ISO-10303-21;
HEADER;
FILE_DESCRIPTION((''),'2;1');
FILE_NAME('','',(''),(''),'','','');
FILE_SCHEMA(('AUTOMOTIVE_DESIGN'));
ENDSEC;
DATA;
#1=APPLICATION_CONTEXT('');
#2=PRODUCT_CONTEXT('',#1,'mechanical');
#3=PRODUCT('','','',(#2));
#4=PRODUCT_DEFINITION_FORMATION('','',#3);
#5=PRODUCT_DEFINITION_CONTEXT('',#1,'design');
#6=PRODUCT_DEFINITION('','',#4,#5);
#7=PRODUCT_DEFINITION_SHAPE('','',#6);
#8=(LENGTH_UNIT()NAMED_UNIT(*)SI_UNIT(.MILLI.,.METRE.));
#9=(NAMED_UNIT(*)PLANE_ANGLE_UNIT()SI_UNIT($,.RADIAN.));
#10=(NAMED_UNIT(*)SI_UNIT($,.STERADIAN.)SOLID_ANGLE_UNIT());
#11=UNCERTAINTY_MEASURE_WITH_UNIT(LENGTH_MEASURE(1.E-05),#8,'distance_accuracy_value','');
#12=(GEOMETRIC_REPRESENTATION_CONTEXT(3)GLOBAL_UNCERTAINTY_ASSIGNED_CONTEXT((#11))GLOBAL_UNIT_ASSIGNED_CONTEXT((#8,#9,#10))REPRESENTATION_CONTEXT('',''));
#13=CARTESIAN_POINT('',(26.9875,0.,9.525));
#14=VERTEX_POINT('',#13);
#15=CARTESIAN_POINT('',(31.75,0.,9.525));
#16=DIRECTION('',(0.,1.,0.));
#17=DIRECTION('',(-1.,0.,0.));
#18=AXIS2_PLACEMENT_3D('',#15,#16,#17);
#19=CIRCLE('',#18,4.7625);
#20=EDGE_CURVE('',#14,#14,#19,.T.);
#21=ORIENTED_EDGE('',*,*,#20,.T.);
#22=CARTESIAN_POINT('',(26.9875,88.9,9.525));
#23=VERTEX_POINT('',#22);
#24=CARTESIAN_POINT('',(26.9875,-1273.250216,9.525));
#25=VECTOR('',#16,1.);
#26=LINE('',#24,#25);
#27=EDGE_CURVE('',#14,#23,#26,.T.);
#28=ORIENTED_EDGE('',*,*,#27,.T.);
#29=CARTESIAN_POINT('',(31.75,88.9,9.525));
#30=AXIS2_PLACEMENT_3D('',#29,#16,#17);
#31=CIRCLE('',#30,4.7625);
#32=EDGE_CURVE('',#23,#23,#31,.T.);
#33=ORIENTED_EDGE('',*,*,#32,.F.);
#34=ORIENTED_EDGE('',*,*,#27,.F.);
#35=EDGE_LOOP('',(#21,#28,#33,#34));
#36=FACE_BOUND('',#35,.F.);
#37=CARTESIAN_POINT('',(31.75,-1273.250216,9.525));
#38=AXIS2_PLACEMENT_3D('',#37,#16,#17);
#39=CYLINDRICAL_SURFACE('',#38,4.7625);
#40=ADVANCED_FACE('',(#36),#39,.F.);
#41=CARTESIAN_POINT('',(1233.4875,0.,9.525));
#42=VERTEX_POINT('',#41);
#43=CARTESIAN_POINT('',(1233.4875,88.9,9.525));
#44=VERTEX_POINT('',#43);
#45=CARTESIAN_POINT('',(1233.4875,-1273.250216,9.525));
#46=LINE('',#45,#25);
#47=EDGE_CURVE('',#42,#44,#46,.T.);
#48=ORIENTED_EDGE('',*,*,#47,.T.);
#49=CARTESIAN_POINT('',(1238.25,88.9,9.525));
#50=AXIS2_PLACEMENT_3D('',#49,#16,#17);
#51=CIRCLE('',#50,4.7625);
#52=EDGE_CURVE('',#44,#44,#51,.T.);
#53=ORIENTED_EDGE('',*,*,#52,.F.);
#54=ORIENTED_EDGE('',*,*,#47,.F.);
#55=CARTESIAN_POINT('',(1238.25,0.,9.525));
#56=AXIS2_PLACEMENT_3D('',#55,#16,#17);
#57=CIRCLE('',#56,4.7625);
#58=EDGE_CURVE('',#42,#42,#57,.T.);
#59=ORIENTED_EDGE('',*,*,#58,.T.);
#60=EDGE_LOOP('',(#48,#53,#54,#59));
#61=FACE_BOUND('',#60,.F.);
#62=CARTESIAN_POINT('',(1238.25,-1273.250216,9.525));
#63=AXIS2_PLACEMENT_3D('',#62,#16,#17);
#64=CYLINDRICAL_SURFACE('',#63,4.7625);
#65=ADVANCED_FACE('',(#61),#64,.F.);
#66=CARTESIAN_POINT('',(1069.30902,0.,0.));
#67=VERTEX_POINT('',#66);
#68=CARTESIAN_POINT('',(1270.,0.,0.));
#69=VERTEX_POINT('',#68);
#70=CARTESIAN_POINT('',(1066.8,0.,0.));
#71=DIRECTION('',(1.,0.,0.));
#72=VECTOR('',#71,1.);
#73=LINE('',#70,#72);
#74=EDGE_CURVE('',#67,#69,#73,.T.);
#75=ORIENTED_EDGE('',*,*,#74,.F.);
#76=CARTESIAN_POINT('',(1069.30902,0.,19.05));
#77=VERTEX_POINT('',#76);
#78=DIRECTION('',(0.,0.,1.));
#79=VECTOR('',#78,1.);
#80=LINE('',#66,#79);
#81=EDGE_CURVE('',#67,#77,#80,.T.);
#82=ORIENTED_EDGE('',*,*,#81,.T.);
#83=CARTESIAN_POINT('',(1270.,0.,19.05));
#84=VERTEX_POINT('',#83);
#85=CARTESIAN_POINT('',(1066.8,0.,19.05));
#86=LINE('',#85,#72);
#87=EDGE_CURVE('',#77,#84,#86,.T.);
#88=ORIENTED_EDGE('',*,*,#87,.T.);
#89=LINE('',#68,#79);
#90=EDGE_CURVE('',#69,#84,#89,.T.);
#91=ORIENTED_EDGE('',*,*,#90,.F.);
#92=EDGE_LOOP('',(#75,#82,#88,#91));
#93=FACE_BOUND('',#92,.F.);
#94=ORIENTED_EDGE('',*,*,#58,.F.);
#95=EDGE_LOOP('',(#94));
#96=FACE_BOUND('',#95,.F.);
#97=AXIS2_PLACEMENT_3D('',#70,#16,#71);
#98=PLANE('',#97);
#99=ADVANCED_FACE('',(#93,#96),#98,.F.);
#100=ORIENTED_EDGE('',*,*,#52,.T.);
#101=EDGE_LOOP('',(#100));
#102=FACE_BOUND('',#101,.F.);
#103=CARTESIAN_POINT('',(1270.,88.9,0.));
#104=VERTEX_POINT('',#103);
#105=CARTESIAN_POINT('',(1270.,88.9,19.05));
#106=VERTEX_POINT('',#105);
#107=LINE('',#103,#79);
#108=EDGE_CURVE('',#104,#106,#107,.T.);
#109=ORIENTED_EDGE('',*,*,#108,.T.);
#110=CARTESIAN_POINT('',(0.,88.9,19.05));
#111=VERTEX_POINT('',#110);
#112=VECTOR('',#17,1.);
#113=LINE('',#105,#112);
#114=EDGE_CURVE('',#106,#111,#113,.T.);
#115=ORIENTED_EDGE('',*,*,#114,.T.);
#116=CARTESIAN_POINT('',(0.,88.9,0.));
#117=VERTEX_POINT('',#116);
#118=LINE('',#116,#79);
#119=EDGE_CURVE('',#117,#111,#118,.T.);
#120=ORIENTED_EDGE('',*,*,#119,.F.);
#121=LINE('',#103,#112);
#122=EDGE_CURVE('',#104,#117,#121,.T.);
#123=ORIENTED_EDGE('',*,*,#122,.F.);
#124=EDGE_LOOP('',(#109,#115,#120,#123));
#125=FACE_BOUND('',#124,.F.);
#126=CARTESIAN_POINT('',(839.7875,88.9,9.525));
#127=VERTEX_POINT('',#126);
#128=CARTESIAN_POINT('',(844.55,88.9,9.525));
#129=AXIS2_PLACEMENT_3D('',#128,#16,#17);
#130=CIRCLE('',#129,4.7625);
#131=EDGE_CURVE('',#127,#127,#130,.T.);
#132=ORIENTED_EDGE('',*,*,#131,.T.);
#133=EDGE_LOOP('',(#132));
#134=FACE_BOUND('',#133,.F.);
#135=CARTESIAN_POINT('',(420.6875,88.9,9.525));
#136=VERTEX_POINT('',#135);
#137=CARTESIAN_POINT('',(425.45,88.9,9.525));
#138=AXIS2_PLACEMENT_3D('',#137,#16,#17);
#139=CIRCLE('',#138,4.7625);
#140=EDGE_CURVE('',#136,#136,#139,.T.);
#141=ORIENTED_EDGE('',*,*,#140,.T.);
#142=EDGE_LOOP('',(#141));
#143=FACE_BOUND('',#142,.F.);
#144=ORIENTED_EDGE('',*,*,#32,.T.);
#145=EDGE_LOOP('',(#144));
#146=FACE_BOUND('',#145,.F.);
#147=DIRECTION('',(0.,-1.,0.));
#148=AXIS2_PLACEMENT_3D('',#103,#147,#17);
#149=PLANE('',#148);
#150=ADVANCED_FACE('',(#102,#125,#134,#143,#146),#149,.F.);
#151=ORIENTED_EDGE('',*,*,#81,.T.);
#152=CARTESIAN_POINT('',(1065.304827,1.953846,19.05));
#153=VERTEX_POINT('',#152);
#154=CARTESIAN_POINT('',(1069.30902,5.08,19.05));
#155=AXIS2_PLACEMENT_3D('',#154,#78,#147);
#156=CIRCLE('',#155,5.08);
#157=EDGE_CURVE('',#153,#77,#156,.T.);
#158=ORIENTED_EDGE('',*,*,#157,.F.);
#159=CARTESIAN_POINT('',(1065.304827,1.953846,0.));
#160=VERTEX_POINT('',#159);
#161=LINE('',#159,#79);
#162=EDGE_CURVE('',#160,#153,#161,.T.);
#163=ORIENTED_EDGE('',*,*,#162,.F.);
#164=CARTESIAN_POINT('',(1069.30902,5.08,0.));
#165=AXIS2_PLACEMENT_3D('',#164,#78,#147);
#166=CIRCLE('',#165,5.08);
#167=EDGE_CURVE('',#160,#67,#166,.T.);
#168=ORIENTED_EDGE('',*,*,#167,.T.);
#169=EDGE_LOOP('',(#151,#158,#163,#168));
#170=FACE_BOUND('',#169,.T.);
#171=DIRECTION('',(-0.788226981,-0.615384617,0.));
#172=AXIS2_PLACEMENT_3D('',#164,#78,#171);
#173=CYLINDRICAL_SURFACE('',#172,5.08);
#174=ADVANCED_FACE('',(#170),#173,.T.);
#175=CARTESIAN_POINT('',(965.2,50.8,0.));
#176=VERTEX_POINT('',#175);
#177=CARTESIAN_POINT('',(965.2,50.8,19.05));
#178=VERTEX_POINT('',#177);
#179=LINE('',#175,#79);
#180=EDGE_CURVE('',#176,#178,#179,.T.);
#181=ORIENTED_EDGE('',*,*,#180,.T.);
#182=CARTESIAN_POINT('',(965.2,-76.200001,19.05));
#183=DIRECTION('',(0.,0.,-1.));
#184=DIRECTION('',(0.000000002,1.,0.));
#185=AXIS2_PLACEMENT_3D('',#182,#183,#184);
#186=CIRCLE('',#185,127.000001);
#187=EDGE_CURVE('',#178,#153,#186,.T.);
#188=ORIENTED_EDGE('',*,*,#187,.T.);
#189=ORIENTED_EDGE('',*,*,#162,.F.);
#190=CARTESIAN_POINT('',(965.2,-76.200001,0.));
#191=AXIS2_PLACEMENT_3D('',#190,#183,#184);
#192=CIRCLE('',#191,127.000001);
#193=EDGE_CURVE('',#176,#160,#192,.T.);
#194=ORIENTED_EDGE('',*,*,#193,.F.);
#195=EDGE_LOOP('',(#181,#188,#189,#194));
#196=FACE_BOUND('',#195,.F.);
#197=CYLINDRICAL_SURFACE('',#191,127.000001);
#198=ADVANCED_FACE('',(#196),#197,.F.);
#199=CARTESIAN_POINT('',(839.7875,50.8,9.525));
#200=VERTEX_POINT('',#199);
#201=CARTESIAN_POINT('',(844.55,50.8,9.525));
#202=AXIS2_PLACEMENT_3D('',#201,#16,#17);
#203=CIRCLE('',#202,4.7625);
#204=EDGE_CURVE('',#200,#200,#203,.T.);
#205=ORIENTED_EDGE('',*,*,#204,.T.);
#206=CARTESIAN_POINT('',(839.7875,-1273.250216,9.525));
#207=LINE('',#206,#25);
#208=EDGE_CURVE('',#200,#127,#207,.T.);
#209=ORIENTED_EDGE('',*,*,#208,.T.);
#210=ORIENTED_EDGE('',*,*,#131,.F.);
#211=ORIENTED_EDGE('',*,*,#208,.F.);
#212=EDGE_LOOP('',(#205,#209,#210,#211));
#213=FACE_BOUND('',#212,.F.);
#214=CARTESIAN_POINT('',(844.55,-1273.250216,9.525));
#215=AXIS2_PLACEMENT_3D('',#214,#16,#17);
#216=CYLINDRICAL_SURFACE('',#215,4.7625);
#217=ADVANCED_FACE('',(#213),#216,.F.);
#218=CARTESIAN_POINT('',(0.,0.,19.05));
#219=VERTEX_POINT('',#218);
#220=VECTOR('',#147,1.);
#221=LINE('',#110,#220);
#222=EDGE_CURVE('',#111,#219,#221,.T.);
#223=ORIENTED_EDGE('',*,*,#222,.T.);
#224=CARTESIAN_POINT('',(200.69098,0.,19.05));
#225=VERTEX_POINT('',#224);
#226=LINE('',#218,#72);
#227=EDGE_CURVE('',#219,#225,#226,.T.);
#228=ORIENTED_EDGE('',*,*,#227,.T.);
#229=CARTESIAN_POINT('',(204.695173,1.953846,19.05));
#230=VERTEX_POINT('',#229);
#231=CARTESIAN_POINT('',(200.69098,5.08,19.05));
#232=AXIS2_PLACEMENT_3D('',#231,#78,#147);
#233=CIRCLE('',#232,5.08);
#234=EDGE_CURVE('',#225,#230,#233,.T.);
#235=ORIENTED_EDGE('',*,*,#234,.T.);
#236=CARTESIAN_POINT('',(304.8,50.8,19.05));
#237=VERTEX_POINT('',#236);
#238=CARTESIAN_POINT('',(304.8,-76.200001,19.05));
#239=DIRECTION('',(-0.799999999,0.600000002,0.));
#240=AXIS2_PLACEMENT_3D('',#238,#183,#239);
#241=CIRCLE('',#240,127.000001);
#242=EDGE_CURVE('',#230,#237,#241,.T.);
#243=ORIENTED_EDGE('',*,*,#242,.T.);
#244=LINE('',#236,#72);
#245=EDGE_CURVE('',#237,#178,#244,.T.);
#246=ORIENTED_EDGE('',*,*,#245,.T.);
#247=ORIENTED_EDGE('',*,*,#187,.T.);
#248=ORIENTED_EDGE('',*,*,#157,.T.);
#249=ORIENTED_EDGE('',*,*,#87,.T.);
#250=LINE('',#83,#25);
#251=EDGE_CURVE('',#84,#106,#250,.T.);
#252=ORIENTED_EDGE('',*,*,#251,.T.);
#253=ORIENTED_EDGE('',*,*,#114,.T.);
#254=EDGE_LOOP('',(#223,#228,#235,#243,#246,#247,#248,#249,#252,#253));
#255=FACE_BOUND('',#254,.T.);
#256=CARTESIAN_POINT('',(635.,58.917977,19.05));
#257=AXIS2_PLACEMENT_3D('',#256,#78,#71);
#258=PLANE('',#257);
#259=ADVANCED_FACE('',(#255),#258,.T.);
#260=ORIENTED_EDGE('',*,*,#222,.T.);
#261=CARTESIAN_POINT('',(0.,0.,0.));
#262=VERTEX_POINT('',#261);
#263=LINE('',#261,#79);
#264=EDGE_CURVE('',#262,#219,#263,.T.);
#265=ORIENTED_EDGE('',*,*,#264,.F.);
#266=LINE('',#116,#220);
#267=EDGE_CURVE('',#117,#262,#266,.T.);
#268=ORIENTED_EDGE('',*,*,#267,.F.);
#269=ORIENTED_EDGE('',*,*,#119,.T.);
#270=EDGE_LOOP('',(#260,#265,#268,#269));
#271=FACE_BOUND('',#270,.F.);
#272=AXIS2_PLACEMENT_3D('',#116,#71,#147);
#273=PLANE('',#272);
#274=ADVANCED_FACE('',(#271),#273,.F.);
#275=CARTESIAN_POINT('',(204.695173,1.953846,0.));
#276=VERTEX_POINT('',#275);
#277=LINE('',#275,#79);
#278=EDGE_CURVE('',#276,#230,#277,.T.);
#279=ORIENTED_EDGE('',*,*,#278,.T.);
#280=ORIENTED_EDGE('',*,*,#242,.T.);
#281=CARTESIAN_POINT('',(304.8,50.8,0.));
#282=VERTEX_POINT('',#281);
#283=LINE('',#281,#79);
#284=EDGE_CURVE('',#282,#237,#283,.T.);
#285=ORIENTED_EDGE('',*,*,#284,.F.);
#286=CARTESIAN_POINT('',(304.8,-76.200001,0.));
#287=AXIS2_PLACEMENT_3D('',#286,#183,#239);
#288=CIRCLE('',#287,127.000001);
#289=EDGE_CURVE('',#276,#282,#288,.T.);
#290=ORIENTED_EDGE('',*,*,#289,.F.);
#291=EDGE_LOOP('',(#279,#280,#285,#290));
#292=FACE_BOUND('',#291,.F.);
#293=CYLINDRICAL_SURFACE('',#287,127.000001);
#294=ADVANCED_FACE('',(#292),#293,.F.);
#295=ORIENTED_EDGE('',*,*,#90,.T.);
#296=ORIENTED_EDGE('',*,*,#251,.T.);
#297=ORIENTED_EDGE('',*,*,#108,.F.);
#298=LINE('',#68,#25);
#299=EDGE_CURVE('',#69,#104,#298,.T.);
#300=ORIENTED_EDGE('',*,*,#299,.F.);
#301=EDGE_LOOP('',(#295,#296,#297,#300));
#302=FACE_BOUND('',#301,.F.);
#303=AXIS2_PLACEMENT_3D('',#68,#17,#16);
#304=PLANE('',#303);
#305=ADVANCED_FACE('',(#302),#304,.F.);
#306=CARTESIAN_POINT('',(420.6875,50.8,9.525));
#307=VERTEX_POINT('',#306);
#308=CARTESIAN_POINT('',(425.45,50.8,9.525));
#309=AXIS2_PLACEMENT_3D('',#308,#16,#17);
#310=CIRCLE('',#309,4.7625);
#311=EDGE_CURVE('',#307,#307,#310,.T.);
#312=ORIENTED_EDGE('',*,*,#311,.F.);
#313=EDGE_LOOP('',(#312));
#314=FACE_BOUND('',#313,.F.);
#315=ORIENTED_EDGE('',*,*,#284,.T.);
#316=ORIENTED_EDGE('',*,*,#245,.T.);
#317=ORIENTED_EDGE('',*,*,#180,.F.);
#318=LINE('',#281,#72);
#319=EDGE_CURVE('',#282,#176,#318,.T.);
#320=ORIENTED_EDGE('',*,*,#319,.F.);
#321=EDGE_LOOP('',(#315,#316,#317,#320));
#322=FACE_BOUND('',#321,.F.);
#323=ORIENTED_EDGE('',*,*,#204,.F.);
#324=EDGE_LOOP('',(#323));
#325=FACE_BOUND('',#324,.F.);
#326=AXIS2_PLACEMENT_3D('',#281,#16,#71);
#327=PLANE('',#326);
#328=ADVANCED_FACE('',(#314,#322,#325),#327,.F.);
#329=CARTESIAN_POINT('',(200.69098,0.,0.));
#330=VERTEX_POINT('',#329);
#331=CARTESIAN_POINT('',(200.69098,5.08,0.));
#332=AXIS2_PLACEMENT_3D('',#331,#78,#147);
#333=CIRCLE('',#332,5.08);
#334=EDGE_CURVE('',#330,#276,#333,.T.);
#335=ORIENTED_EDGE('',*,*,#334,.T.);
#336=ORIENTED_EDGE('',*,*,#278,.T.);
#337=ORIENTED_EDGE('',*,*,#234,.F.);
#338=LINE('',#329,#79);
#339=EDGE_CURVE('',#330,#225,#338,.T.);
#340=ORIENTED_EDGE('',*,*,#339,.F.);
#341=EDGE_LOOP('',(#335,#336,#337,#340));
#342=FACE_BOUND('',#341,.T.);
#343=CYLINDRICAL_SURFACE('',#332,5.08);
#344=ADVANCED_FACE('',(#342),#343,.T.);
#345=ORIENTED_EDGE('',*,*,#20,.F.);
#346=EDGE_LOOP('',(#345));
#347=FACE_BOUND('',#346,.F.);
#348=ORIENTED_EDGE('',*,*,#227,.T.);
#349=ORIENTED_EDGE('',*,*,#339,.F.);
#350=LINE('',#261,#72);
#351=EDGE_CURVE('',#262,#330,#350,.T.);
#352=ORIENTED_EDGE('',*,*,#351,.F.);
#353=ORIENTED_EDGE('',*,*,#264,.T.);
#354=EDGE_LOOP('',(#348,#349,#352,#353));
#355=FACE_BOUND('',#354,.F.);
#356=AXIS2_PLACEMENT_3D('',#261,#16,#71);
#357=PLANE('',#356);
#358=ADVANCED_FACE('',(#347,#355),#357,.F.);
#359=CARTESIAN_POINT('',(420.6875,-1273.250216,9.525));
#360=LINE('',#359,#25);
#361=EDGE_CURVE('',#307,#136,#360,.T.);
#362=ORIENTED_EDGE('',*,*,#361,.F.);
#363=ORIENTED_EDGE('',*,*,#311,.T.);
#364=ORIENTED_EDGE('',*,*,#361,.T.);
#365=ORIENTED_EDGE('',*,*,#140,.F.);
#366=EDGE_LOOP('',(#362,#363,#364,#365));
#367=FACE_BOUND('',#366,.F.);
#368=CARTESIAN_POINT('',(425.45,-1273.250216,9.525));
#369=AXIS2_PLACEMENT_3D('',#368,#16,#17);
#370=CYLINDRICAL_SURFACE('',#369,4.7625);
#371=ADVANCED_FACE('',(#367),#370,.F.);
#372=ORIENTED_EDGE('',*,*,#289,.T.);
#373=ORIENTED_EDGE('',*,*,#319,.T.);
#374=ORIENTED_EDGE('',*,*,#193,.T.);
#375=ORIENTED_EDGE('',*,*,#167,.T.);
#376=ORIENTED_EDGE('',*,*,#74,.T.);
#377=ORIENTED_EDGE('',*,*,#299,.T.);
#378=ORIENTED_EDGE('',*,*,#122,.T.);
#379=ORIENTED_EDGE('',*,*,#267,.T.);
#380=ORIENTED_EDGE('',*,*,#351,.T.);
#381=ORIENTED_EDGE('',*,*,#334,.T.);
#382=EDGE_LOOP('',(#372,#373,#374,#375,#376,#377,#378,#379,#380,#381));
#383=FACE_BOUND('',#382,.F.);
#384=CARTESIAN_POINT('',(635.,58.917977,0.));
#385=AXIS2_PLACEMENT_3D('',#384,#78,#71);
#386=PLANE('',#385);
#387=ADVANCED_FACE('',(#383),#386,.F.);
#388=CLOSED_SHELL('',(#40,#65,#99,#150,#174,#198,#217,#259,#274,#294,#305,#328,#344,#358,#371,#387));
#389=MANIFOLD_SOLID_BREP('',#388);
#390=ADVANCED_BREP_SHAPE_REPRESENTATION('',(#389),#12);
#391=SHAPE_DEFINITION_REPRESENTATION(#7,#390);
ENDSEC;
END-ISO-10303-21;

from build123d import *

# Parameters (mm, degrees)
F1_DEPTH = 19.05
F3_D     = 9.525
F4_R     = 5.08


with BuildPart() as f1:
    # F0 (on Top) → F1 (new body)
    with BuildSketch(Plane.XY):
        with BuildLine():
            Line((0, 88.9), (0, 0))
            Line((0, 0), (203.2, 0))
            ThreePointArc((203.2, 0), (248.003873, 37.392253), (304.8, 50.8))
            Line((304.8, 50.8), (965.2, 50.8))
            ThreePointArc((965.2, 50.8), (1021.996127, 37.392253), (1066.8, 0))
            Line((1066.8, 0), (1270, 0))
            Line((1270, 0), (1270, 88.9))
            Line((1270, 88.9), (0, 88.9))
        make_face()
    extrude(amount=F1_DEPTH)

    # F3 (through all)
    with Locations(Plane.XZ):
        with Locations((31.75, 9.525), (425.45, 9.525), (844.55, 9.525), (1238.25, 9.525)):
            Hole(F3_D / 2)

    # F4
    f4_edges = [f1.edges().sort_by_distance(p)[0] for p in [
        (203.2, 0, 9.525),
        (1066.8, 0, 9.525),
    ]]
    fillet(f4_edges, radius=F4_R)


solid = f1.part
